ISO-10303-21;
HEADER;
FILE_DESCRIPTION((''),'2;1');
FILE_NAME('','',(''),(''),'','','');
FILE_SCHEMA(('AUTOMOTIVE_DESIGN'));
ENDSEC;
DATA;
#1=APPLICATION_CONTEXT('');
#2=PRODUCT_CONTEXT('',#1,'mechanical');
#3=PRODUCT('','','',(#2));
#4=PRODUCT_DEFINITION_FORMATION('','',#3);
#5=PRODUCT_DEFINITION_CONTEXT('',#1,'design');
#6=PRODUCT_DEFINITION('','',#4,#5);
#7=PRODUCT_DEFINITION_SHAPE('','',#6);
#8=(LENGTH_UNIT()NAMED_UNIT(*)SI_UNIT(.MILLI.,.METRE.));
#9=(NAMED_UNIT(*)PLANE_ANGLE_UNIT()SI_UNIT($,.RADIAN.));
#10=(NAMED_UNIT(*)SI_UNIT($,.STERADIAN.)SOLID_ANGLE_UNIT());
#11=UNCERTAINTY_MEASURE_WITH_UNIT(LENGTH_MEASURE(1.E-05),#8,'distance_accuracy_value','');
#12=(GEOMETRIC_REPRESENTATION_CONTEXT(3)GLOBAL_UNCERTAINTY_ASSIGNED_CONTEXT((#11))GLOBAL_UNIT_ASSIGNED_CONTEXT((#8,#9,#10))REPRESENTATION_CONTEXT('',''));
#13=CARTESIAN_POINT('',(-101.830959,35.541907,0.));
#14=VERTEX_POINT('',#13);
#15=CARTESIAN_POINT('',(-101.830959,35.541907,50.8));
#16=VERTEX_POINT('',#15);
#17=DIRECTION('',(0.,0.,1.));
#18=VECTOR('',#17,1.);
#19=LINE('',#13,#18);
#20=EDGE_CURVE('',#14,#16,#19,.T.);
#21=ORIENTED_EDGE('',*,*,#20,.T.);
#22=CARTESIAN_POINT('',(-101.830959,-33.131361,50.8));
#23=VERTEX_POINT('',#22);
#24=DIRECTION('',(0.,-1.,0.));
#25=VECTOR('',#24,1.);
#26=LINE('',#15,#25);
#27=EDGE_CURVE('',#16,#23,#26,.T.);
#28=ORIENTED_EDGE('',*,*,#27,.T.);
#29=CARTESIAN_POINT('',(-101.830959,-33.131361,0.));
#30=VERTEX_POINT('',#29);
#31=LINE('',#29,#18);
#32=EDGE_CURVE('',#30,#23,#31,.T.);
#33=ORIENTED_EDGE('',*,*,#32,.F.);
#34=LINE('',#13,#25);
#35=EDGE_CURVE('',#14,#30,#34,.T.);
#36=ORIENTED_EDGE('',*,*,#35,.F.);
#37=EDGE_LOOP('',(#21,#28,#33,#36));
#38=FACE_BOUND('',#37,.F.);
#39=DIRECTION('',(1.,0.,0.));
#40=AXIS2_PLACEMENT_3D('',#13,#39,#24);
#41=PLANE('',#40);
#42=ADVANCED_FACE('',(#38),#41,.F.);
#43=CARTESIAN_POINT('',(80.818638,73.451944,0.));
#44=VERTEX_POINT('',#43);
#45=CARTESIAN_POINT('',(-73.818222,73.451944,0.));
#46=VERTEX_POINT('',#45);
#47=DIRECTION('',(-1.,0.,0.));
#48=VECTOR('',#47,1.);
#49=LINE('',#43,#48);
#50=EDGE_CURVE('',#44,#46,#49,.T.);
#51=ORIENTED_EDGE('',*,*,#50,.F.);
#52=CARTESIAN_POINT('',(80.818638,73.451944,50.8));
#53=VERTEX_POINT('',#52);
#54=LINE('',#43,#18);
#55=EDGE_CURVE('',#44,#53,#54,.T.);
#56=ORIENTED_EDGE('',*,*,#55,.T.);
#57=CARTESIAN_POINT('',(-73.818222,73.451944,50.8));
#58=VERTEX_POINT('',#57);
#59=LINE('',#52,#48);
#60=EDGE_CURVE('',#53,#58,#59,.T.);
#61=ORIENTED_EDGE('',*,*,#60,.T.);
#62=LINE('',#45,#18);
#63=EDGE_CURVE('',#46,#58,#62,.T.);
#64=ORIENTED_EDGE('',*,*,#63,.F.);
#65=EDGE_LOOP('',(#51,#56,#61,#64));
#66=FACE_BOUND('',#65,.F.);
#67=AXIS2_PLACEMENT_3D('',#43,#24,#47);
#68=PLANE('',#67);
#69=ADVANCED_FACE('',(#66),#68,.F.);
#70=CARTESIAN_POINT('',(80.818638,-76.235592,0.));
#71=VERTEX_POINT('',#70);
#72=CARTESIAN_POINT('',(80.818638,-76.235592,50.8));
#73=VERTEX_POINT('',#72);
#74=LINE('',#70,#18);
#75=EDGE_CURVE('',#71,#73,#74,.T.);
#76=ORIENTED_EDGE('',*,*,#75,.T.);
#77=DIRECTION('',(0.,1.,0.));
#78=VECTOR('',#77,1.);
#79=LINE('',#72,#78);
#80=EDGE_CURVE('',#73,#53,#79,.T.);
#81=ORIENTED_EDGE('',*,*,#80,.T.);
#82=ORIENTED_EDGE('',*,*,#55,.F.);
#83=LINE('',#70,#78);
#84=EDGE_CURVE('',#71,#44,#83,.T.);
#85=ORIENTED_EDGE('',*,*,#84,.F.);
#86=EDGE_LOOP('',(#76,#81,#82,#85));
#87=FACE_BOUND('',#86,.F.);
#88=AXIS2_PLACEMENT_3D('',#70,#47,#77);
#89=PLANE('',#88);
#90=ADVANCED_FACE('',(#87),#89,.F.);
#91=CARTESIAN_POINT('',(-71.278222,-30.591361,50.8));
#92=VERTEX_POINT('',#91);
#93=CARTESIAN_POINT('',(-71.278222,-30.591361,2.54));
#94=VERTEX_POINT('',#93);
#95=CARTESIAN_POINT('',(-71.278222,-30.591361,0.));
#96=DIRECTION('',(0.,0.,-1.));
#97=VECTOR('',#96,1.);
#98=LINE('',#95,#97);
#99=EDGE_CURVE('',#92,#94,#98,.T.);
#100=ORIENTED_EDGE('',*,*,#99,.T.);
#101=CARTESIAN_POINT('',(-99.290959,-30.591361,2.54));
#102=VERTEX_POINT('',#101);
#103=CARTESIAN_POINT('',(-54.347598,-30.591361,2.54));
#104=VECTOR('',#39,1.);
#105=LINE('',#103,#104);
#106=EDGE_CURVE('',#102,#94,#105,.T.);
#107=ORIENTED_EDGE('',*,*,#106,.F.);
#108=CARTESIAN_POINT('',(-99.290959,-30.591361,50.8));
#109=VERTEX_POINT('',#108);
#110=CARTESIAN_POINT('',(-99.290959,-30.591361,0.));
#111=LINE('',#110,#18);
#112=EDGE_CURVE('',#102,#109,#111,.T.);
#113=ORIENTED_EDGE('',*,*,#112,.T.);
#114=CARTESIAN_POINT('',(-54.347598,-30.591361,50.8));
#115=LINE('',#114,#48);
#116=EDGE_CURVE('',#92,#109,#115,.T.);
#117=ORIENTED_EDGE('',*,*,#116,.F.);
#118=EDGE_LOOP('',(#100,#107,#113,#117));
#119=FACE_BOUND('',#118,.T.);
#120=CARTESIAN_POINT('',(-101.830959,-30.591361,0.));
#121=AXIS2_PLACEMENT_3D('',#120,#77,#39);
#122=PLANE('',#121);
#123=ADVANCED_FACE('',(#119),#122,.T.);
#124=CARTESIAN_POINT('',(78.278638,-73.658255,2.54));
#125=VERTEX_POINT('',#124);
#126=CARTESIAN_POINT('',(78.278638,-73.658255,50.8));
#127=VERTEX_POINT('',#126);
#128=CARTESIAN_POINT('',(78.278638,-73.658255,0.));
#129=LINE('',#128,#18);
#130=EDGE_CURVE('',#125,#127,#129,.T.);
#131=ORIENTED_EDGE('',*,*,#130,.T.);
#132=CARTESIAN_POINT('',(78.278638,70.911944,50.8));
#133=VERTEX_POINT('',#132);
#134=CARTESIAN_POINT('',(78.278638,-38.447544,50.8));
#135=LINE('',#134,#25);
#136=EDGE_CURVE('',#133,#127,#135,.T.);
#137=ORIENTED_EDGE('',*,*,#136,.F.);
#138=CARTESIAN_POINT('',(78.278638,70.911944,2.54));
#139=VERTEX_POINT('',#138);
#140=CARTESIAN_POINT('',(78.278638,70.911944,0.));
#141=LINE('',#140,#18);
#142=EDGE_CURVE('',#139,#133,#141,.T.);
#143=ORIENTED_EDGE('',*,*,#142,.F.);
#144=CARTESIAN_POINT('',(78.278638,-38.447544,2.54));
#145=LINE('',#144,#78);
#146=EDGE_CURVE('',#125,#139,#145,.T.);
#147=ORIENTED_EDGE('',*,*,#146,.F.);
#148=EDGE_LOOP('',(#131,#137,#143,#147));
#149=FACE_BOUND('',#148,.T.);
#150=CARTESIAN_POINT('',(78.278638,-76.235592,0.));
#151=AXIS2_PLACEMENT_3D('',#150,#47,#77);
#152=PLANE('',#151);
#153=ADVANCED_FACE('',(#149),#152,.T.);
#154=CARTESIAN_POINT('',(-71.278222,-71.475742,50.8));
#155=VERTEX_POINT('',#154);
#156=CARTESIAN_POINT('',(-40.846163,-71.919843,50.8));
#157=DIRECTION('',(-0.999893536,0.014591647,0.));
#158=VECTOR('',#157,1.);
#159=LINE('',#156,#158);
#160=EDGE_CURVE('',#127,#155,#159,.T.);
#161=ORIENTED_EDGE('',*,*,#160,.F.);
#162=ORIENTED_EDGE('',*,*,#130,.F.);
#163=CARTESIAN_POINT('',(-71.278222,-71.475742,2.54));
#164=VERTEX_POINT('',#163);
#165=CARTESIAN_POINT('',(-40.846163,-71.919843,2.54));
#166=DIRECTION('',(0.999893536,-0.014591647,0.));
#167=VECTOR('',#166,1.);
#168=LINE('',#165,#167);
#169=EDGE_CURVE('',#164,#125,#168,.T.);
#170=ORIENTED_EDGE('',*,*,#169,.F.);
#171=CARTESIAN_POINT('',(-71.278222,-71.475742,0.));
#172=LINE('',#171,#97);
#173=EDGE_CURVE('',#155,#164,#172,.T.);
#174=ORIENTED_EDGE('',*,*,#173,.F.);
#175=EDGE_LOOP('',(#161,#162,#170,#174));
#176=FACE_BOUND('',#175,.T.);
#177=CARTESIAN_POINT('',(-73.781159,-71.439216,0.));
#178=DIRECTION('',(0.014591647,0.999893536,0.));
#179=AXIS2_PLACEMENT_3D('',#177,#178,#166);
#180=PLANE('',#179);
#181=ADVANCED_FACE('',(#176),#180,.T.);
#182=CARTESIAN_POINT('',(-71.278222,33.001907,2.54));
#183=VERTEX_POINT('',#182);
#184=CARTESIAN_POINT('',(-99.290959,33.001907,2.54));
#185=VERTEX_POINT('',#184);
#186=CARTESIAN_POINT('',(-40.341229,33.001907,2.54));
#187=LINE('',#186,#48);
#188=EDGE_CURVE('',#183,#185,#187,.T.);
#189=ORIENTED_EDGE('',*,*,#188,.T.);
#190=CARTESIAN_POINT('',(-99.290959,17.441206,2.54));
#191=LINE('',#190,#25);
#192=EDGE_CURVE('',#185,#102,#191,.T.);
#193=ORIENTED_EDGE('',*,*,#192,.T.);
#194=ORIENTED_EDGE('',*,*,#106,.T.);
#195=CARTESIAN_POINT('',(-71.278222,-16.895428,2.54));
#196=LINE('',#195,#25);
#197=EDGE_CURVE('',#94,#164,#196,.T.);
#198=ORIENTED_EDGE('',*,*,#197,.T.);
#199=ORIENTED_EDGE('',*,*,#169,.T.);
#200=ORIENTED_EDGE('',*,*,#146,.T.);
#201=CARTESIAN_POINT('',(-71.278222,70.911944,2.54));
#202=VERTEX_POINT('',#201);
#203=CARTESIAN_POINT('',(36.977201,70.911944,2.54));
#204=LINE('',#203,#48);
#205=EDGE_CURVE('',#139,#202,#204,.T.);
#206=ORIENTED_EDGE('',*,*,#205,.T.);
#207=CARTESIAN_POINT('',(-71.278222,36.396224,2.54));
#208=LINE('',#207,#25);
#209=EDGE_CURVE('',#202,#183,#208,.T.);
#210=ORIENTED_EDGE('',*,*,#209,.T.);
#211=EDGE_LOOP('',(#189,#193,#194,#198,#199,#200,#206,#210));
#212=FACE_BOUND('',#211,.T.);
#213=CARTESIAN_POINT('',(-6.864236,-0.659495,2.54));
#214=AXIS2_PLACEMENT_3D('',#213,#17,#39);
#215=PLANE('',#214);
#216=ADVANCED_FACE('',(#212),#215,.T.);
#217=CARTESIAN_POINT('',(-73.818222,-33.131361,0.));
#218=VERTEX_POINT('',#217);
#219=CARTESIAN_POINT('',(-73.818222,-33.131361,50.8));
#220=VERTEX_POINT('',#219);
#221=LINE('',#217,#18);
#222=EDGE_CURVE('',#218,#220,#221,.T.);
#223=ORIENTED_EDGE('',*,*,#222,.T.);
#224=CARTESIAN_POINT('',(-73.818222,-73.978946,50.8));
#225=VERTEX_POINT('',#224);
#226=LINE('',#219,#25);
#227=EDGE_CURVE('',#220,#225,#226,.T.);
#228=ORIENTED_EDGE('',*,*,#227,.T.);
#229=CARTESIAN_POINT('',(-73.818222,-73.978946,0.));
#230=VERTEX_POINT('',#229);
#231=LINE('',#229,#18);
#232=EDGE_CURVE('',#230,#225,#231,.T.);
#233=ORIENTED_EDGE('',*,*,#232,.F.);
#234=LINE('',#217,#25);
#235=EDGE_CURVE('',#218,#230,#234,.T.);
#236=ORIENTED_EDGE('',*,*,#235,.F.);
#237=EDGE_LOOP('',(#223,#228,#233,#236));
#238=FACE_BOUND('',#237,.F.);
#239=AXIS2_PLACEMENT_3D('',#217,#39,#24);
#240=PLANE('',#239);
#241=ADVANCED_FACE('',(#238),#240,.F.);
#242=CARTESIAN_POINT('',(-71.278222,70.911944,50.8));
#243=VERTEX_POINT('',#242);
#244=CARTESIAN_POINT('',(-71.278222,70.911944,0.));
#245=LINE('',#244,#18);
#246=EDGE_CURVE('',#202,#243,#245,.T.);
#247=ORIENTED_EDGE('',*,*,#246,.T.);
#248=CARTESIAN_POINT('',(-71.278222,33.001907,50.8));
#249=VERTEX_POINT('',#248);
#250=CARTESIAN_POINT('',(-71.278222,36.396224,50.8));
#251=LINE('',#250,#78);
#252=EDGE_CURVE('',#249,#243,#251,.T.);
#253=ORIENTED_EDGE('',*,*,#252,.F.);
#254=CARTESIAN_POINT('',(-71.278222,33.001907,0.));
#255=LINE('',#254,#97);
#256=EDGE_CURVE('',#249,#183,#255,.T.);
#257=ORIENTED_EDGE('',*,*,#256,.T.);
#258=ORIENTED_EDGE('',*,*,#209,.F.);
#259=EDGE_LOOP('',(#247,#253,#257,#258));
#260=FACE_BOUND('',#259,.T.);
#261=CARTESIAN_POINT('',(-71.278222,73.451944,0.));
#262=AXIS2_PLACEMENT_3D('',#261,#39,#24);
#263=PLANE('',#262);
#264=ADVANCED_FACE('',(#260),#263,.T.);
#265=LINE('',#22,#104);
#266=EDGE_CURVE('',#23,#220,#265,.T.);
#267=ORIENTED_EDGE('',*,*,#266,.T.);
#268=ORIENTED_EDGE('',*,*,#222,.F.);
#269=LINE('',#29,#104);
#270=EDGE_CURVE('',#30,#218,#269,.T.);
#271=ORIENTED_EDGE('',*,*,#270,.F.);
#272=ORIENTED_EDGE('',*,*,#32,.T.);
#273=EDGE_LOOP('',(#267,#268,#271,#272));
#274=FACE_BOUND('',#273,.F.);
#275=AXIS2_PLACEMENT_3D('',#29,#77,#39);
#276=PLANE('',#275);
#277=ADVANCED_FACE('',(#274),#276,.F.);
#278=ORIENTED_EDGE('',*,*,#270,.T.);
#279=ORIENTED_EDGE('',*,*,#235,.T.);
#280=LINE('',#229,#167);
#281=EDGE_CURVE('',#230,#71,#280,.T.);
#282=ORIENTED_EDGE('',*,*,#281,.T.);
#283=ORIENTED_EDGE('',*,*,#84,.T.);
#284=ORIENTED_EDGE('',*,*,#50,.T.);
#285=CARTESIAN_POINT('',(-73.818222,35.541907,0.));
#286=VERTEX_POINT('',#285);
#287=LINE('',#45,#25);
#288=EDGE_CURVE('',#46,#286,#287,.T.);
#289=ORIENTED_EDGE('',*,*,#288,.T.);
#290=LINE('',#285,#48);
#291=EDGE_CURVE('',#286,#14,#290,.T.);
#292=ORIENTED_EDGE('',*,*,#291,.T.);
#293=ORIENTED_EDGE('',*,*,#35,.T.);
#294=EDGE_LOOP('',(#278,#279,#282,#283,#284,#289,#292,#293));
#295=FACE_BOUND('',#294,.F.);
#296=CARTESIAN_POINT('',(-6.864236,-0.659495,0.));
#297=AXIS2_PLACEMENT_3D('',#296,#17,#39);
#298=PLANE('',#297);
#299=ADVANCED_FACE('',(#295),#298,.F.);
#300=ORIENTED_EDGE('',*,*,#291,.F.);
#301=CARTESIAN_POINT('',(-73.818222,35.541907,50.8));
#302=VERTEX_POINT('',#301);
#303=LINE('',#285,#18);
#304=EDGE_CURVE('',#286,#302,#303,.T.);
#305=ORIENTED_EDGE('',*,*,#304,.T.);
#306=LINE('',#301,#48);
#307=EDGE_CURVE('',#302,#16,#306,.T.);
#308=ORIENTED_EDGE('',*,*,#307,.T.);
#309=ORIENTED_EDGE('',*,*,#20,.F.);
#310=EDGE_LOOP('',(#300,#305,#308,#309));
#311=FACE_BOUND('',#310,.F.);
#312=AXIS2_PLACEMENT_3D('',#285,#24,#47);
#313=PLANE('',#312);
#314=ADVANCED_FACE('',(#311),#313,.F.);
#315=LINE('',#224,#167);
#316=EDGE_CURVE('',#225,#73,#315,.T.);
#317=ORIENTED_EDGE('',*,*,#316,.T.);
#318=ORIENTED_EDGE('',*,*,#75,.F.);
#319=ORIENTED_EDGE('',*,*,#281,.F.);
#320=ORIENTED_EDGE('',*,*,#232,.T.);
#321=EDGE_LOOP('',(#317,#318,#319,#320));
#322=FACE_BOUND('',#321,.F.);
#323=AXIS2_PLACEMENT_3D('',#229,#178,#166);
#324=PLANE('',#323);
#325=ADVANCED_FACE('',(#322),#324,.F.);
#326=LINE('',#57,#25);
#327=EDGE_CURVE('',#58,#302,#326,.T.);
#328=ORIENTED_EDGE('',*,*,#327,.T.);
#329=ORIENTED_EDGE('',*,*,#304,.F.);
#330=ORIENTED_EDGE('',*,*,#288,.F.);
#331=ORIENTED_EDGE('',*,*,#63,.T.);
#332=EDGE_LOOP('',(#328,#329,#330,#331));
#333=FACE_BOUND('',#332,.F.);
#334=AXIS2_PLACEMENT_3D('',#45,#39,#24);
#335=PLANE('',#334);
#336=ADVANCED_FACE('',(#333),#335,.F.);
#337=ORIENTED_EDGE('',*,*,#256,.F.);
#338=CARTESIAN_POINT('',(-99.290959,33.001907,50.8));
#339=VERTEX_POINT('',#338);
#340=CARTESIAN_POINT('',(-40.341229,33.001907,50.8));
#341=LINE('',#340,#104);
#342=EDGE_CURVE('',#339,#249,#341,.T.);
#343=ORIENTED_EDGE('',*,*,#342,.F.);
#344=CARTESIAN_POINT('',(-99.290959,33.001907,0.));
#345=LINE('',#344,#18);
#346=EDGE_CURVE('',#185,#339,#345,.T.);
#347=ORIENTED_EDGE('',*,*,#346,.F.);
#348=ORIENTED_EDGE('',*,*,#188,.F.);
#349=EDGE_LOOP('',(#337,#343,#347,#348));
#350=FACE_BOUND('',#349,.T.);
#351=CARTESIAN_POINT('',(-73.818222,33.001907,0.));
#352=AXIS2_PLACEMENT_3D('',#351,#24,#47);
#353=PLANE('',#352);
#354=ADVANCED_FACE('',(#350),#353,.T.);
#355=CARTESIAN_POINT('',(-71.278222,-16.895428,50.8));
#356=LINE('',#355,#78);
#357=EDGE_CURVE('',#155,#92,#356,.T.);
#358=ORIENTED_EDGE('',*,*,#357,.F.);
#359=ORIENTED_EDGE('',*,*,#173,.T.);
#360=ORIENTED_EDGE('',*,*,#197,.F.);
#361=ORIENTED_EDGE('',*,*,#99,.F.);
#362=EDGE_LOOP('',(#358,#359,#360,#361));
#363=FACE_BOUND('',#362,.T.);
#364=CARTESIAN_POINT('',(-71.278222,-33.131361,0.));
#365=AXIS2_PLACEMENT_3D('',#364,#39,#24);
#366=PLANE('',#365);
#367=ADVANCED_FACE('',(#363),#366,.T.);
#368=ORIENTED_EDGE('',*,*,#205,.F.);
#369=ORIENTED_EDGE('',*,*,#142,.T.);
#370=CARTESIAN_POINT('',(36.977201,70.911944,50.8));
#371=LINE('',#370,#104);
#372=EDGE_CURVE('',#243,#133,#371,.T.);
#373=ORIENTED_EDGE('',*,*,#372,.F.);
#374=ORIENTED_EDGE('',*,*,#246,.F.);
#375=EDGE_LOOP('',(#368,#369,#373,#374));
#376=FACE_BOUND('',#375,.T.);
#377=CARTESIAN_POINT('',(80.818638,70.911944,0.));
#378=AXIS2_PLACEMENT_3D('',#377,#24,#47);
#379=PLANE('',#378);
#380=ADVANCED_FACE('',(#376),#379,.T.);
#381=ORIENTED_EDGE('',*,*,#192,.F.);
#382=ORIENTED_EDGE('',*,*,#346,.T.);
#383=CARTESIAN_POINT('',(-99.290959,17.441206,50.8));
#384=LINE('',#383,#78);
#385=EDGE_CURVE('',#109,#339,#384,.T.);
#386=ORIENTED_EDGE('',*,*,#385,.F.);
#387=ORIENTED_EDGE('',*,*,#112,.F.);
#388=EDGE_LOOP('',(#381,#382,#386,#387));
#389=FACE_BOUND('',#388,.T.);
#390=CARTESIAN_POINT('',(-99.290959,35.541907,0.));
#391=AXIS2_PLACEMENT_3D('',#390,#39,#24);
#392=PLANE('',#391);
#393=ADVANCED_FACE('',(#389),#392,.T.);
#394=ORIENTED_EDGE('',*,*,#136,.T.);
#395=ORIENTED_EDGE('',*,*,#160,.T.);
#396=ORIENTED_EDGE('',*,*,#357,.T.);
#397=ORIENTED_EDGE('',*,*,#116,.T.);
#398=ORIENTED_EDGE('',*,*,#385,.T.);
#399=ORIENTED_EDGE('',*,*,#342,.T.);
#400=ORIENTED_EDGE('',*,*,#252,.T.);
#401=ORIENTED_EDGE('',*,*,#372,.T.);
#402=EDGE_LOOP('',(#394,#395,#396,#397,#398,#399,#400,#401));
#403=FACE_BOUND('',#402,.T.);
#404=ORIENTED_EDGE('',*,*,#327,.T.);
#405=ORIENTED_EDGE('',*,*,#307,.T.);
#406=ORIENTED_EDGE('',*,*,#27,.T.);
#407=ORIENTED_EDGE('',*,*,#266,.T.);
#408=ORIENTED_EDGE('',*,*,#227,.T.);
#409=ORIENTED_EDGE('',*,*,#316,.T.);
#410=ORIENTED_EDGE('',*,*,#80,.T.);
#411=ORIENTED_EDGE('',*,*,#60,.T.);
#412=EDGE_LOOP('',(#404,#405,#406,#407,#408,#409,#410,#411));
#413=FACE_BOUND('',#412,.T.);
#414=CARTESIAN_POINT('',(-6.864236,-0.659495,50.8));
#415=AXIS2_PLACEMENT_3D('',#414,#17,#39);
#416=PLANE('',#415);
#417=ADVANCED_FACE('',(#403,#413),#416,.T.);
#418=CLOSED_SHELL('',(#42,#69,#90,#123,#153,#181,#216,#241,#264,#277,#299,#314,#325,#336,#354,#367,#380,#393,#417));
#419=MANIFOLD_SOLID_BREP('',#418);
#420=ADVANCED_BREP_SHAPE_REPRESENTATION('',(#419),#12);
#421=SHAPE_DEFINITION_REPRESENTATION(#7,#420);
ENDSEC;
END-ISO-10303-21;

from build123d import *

# Parameters (mm, degrees)
F1_DEPTH = 50.8
F2_T     = -2.54


with BuildPart() as f1:
    # F0 (on Top) → F1 (new body)
    with BuildSketch(Plane.XY):
        Polygon((-73.8182216883, -73.9789456129), (80.8186382055, -76.2355923653), (80.8186382055, 73.4519436955), (-73.8182216883, 73.4519436955), (-73.8182216883, 35.5419069529), (-101.8309593201, 35.5419069529), (-101.8309593201, -33.1313610077), (-73.8182216883, -33.1313610077), align=None)
    extrude(amount=F1_DEPTH)

    # F2
    f2_openings = [f1.faces().sort_by_distance(p)[0] for p in [
        (-3.375753, -0.671898, 50.8),
    ]]
    offset(amount=F2_T, openings=f2_openings, kind=Kind.INTERSECTION)


solid = f1.part
